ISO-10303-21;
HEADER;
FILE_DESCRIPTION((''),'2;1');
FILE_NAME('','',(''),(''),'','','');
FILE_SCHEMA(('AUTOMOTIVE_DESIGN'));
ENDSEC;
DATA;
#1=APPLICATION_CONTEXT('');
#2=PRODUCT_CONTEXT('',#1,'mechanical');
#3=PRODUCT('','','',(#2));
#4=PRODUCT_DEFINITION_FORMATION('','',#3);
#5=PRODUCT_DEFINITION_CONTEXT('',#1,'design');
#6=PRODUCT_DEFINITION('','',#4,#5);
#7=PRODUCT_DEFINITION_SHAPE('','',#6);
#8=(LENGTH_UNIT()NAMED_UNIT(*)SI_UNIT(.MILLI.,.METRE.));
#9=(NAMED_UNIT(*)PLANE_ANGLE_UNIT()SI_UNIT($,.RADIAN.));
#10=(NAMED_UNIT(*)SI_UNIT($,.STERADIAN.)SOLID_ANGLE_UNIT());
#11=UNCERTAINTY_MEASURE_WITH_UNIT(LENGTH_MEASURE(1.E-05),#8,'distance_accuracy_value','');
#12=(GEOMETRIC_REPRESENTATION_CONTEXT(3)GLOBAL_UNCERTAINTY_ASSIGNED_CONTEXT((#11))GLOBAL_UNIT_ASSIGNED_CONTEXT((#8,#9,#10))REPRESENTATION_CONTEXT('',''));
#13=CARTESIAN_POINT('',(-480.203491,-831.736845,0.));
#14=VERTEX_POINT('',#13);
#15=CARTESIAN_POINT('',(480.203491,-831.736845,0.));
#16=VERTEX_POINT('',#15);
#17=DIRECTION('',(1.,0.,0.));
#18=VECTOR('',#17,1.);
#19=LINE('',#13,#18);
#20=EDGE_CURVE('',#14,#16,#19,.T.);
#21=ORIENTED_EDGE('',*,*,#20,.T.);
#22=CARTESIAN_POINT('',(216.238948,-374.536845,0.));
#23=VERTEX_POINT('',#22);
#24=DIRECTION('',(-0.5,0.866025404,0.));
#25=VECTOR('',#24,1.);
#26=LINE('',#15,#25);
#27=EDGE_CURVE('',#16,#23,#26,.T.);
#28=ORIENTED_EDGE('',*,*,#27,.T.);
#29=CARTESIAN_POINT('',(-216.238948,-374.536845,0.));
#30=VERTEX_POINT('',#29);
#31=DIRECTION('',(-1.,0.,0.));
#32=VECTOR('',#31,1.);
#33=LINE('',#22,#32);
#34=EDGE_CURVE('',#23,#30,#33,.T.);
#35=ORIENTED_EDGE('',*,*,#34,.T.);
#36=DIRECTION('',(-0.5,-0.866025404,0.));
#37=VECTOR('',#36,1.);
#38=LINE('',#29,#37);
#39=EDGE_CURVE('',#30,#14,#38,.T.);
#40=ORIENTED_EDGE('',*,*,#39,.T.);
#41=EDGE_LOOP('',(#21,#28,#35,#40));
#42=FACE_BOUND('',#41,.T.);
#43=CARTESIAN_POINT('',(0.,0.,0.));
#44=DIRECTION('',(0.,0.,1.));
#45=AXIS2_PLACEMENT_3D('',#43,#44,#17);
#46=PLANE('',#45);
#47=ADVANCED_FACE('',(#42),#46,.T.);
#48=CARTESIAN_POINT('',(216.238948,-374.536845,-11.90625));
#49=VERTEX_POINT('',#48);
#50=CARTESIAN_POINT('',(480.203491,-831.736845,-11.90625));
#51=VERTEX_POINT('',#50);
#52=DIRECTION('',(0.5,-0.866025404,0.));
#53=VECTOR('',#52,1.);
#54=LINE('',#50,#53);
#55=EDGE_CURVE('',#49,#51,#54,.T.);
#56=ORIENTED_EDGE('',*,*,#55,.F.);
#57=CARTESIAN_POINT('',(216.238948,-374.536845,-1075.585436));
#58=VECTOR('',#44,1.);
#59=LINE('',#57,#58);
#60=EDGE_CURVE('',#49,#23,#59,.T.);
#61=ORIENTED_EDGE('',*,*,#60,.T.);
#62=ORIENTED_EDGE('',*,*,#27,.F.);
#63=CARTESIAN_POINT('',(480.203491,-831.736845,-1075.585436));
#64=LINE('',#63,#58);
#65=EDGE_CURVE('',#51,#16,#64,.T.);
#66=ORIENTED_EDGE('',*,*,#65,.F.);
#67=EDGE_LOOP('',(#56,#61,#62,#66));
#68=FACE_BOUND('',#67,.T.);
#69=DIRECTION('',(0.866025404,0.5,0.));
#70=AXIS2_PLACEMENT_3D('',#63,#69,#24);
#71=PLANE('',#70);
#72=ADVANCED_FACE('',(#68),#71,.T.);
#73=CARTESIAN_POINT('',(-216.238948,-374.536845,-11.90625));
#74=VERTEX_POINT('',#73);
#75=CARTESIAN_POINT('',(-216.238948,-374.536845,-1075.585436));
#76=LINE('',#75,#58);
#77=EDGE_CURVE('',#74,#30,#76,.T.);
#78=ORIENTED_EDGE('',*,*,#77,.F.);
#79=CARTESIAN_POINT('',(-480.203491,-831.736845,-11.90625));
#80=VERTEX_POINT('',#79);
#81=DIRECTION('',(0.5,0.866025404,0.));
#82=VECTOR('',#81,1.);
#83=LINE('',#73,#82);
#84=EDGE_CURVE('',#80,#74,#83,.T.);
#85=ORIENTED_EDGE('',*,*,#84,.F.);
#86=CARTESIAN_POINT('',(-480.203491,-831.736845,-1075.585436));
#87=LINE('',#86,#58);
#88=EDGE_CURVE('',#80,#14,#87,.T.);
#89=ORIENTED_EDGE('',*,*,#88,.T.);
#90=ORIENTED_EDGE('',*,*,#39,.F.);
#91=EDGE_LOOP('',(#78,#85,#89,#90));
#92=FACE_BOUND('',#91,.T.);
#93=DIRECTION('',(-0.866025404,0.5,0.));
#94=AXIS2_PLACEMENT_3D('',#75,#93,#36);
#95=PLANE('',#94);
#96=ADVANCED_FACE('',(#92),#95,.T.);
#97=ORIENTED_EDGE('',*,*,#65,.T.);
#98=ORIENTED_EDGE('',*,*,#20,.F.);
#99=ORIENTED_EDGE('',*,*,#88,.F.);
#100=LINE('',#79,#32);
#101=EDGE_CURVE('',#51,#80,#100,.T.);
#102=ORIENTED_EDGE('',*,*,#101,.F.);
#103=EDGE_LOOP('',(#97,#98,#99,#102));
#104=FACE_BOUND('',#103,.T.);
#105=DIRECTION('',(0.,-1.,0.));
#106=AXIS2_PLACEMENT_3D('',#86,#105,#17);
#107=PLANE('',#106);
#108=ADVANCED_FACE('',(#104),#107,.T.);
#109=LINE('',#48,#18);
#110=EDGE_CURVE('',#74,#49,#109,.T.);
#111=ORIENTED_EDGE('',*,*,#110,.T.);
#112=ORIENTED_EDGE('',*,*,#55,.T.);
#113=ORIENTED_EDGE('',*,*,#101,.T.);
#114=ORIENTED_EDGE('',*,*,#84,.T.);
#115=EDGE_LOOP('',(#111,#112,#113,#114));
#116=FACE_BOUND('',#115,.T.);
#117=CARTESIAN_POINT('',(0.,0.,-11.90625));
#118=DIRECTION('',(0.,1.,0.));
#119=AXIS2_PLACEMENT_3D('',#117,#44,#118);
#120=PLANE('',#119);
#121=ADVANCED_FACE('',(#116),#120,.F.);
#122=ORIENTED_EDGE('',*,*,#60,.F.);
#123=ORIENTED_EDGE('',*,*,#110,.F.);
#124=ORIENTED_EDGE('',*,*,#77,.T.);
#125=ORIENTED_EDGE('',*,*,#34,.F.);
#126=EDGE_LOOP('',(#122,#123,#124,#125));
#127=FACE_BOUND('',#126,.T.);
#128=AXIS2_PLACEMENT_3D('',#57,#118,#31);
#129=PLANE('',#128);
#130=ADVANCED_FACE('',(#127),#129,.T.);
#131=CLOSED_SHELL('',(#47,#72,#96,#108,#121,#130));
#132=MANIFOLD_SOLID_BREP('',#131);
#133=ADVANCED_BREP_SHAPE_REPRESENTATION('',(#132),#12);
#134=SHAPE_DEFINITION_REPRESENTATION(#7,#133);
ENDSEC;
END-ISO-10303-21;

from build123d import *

# Parameters (mm, degrees)
BOSS_EXTRUDE1_DEPTH = 11.90625


with BuildPart() as part:
    # Sketch1 → Boss-Extrude1 (new body)
    with BuildSketch(Plane.XY):
        Polygon((-480.203491154, -831.736844651), (480.203491154, -831.736844651), (216.238948081, -374.536844651), (-216.238948081, -374.536844651), align=None)
    extrude(amount=-BOSS_EXTRUDE1_DEPTH)


solid = part.part
